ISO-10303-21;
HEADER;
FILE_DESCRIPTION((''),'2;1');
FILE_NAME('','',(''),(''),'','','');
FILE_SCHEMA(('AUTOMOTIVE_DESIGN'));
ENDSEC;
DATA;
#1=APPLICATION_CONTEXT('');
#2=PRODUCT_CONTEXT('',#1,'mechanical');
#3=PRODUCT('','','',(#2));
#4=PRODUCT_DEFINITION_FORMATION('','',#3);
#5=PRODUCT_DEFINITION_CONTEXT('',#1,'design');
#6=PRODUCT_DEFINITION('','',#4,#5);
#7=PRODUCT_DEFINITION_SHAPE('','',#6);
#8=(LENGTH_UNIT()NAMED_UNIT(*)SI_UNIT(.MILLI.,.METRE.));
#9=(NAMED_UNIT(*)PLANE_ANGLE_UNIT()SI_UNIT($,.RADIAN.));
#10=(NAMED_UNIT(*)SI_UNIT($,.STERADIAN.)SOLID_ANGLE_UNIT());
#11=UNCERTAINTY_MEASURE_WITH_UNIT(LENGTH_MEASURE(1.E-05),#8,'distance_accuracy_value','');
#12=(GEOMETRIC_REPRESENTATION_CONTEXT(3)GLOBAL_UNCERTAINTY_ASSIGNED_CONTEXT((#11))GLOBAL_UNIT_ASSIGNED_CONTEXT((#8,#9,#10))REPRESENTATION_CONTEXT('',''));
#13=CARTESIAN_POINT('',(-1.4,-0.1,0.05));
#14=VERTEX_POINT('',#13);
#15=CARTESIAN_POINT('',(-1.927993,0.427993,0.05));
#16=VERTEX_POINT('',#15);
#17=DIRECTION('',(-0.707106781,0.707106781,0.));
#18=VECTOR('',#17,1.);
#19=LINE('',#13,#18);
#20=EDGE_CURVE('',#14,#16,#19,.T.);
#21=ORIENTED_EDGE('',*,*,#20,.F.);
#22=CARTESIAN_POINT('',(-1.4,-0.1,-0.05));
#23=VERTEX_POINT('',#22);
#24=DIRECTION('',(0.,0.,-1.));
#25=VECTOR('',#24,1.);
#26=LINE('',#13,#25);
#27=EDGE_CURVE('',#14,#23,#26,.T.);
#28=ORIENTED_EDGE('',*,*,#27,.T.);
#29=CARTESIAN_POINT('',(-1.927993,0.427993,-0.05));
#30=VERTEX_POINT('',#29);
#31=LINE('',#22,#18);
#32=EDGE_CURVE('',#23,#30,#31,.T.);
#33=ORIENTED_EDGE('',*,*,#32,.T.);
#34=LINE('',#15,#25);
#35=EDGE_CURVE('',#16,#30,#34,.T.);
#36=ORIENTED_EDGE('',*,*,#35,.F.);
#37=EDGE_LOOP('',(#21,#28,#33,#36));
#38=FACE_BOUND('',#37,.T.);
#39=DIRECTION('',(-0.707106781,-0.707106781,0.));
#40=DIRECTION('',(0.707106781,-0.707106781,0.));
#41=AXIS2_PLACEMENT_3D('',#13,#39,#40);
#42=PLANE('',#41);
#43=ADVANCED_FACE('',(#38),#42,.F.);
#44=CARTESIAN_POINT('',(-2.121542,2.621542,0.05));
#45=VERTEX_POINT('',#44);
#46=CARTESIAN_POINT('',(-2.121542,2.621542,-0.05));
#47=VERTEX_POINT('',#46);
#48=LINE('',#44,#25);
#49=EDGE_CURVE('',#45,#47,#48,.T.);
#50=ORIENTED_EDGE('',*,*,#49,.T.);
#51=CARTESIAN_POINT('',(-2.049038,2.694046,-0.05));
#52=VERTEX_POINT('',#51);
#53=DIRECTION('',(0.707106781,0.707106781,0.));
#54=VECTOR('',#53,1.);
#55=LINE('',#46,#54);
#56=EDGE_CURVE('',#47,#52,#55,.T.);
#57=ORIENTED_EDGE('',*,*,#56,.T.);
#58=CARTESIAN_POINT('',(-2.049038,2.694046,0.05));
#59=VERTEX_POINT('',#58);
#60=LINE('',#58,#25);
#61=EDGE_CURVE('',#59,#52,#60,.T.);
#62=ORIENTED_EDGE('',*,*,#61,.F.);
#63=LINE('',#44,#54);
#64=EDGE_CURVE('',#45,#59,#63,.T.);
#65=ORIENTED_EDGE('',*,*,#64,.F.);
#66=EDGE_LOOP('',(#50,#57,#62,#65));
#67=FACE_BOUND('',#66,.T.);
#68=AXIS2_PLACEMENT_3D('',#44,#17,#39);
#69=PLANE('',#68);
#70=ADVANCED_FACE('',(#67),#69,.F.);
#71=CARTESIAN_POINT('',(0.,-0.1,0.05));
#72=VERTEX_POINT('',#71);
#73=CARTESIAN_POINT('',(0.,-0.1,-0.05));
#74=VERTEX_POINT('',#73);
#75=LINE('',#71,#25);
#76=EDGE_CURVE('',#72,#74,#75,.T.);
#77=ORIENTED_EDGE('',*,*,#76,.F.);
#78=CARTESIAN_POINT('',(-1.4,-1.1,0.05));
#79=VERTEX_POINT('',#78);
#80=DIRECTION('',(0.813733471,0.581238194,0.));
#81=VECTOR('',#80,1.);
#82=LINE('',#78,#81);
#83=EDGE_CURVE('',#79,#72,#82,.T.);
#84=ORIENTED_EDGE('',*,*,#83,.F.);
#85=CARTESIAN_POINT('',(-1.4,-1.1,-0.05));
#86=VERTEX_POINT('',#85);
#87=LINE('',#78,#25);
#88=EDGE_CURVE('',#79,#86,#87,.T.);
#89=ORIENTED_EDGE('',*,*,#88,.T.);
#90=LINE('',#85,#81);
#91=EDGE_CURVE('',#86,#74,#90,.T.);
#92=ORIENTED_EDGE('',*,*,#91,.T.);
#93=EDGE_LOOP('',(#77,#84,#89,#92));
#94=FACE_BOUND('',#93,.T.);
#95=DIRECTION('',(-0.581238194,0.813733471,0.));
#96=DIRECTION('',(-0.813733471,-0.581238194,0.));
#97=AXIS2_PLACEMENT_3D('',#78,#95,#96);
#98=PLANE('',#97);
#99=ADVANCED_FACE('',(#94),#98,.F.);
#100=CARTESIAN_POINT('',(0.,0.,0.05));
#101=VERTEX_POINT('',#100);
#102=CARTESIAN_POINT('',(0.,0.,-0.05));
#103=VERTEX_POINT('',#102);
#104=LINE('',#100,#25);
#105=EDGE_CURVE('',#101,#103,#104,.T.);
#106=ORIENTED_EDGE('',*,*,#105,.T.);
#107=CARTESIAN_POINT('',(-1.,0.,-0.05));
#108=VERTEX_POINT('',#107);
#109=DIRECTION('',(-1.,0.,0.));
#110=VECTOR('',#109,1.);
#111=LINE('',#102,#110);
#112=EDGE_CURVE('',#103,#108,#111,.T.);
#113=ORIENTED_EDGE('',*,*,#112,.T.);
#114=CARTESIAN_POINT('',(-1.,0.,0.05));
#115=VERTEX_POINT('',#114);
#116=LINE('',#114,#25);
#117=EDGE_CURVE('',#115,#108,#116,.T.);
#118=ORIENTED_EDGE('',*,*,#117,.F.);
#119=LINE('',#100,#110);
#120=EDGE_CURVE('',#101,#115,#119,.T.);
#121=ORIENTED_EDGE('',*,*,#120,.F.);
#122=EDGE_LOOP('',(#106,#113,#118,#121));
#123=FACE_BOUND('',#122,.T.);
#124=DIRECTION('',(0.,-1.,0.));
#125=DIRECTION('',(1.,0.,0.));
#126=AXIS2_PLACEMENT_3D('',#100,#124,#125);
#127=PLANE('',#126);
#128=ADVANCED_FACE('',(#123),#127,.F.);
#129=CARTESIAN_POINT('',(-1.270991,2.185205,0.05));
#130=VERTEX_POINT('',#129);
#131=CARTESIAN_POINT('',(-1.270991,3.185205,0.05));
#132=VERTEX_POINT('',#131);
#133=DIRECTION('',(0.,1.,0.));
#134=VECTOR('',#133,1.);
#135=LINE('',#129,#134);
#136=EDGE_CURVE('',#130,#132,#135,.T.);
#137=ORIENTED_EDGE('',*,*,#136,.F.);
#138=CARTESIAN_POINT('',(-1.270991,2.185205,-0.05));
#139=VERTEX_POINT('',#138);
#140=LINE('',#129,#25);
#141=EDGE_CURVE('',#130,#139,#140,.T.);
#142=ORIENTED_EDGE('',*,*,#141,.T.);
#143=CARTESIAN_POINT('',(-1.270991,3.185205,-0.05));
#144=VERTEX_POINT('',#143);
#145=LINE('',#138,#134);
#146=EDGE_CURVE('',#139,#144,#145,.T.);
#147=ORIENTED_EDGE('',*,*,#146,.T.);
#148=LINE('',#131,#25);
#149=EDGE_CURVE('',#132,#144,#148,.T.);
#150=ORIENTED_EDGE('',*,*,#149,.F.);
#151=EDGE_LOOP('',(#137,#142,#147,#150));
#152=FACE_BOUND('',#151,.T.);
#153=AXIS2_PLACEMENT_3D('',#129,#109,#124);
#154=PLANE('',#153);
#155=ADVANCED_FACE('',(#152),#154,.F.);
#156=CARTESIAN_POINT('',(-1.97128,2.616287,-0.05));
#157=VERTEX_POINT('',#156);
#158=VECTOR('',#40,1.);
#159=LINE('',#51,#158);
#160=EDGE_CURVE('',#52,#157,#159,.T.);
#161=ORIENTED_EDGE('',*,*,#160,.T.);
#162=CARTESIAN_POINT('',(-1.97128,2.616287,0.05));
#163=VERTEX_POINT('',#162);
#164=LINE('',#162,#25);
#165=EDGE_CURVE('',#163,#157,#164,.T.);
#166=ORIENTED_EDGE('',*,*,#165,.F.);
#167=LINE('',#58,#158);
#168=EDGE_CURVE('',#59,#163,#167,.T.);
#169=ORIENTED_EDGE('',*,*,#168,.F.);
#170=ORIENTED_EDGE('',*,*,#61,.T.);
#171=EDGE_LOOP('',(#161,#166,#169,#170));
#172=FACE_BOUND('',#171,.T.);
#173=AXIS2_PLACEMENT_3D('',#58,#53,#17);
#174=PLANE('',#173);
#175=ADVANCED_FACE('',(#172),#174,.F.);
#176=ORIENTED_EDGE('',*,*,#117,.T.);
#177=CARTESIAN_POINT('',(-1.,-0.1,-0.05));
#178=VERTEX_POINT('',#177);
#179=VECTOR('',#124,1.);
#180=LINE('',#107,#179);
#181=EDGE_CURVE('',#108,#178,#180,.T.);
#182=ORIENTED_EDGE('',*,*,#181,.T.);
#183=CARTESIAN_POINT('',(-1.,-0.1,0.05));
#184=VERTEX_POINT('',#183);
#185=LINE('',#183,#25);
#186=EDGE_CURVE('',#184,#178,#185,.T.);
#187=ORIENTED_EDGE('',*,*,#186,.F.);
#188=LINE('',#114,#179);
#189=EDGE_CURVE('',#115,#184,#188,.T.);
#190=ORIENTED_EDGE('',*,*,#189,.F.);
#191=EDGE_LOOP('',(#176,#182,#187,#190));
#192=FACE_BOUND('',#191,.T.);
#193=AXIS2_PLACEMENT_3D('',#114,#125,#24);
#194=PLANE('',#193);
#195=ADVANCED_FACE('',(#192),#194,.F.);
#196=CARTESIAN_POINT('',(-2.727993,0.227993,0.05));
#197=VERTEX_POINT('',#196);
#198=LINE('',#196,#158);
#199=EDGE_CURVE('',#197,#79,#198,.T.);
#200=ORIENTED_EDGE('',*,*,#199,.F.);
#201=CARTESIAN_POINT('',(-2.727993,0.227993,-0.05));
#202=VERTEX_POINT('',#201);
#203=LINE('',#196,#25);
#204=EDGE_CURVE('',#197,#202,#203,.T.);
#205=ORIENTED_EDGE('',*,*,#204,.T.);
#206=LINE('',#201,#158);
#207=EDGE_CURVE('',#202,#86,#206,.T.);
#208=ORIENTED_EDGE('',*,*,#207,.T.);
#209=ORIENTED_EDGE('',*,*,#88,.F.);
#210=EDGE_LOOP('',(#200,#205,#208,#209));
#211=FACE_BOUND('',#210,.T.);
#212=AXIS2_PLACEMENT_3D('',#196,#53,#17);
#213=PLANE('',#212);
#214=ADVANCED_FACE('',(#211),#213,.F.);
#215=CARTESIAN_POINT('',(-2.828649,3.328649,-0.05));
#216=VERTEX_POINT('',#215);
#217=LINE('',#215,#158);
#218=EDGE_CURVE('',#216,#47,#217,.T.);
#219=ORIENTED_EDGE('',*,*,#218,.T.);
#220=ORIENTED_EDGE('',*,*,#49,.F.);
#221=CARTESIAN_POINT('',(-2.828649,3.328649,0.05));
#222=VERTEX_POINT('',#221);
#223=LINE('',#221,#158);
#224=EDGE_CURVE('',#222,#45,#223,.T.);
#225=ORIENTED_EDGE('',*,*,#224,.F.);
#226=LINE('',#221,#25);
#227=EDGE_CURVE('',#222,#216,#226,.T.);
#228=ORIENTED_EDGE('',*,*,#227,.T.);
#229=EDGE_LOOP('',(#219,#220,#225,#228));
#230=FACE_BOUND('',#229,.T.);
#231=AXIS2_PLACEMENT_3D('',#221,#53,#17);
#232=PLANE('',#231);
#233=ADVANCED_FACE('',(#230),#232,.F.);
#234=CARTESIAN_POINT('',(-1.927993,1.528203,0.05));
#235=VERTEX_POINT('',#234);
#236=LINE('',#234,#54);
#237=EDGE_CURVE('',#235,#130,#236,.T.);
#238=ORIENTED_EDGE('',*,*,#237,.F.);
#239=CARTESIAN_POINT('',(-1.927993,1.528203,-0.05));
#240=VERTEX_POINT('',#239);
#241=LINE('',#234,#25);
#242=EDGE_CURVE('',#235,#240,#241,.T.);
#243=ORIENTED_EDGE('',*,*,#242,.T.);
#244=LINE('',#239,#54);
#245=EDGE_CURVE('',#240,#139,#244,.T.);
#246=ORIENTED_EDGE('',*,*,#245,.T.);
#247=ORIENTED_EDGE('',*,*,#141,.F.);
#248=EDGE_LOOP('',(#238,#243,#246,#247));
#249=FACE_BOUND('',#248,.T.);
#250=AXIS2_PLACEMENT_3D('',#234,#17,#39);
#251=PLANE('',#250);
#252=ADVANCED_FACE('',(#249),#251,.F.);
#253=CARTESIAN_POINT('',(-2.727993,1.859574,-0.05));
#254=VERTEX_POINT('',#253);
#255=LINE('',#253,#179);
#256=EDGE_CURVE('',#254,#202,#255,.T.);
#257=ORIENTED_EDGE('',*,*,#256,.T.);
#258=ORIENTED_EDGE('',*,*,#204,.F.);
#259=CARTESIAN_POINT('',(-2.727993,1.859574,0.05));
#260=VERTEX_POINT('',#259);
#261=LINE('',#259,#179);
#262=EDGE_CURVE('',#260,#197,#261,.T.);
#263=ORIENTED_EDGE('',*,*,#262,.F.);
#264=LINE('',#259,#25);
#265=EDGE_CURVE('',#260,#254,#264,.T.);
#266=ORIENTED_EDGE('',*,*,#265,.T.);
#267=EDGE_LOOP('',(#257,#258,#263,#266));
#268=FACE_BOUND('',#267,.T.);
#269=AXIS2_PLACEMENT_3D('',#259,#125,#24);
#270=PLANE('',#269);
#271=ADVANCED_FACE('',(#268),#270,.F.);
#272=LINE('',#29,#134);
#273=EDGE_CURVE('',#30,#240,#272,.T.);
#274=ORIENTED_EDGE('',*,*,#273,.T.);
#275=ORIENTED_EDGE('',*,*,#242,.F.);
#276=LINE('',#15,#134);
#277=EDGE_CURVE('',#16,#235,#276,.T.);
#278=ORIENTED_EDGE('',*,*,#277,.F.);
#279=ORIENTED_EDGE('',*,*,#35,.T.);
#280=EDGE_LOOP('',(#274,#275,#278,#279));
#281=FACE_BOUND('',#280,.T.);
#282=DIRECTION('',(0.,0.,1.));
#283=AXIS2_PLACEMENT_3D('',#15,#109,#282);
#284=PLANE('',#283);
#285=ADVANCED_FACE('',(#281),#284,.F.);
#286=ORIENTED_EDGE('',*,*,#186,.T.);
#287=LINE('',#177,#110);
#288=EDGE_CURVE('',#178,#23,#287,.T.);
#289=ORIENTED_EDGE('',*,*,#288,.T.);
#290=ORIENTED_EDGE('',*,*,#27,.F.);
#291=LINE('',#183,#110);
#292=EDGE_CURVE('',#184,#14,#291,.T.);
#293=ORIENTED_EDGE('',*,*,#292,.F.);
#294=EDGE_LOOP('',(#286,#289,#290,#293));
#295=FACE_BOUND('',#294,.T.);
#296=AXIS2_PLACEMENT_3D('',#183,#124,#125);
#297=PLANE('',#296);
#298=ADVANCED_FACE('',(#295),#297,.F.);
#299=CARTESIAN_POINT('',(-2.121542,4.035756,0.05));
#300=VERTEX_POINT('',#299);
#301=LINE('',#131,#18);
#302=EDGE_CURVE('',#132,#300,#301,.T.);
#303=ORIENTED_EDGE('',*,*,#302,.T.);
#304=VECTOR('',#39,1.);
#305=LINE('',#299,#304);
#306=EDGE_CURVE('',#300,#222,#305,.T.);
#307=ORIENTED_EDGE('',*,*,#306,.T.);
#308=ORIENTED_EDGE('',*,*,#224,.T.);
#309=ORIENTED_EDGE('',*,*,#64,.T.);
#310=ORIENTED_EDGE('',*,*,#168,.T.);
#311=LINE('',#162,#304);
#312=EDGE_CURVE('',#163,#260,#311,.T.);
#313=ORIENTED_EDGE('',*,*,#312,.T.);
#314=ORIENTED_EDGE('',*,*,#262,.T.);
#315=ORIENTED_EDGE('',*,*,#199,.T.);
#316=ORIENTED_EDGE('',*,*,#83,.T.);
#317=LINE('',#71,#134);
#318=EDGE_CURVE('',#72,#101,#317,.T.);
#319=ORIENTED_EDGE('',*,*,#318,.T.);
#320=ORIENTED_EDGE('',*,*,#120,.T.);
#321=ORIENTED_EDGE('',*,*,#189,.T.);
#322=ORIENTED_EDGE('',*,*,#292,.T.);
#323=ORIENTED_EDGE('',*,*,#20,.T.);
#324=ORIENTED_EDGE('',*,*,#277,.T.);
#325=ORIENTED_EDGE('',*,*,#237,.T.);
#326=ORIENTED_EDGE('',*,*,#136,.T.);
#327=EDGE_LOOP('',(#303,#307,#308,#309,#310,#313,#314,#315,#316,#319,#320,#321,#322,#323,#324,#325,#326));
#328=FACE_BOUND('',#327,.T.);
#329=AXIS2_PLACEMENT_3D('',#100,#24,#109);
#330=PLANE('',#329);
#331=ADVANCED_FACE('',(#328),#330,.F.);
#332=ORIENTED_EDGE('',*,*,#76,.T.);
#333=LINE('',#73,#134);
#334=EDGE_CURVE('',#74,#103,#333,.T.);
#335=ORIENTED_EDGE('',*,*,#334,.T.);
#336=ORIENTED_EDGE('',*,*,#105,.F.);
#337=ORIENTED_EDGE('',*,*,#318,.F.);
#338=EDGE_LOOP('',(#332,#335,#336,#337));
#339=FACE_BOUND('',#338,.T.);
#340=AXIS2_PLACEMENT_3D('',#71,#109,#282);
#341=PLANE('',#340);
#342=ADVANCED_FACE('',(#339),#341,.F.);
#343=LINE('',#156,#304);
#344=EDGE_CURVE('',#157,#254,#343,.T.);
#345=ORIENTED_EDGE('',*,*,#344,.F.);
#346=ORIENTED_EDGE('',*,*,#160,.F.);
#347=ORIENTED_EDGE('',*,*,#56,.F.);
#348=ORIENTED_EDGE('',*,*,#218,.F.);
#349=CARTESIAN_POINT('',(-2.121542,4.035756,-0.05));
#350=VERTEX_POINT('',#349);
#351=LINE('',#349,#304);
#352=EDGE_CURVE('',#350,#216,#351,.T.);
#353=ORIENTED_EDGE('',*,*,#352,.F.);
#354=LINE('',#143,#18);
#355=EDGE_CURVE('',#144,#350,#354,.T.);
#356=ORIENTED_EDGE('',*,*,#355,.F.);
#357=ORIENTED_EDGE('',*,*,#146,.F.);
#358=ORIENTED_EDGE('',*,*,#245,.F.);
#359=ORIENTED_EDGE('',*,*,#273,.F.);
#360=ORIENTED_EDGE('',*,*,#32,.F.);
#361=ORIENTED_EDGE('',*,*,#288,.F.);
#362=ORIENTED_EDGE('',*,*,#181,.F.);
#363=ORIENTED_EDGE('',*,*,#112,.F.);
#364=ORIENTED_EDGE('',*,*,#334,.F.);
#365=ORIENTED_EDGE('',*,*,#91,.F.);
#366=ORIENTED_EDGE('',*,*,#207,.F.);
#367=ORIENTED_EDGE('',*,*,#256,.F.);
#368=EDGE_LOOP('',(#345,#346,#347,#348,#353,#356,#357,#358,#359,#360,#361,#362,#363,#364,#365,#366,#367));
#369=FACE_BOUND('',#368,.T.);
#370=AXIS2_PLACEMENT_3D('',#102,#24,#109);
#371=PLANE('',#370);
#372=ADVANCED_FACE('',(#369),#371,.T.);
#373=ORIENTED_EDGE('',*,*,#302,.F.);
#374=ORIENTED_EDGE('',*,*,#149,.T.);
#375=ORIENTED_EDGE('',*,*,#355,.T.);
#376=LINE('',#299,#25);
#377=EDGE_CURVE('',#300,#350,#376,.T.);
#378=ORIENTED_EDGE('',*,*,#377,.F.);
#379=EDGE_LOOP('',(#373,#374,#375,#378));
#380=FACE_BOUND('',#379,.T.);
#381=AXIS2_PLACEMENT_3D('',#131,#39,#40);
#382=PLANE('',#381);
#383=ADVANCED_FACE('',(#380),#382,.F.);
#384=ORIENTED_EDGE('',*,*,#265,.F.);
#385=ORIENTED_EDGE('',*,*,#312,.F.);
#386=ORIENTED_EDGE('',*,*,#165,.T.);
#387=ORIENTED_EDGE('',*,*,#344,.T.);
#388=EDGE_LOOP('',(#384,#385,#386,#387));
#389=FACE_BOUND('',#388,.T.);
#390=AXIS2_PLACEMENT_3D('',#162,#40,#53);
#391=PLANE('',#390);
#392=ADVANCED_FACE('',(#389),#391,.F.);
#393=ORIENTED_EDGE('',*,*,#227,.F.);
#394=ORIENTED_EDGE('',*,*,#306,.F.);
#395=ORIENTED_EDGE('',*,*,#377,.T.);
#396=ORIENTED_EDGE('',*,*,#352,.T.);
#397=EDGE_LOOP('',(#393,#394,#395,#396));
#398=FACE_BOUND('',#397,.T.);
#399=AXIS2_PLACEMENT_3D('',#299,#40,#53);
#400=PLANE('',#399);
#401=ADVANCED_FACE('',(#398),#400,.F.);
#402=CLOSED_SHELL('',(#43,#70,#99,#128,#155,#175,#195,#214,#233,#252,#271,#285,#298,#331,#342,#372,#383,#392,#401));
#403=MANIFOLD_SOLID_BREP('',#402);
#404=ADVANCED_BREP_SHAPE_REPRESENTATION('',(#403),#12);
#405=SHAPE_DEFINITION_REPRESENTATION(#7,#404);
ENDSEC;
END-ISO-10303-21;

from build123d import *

# Parameters (mm, degrees)
BOSS_EXTRUDE1_DEPTH = 0.05


with BuildPart() as part:
    # Sketch1 → Boss-Extrude1 (new, symmetric)
    with BuildSketch(Plane.XY):
        Polygon((0, 0), (-1, 0), (-1, -0.1), (-1.4, -0.1), (-1.92799329, 0.42799329), (-1.92799329, 1.528202877), (-1.270991302, 2.185204865), (-1.270991302, 3.185204865), (-2.121542086, 4.035755648), (-2.828648867, 3.328648867), (-2.121542086, 2.621542086), (-2.049038167, 2.694046004), (-1.97127959, 2.616287427), (-2.72799329, 1.859573727), (-2.72799329, 0.22799329), (-1.4, -1.1), (0, -0.1), align=None)
    extrude(amount=BOSS_EXTRUDE1_DEPTH, both=True)


solid = part.part
